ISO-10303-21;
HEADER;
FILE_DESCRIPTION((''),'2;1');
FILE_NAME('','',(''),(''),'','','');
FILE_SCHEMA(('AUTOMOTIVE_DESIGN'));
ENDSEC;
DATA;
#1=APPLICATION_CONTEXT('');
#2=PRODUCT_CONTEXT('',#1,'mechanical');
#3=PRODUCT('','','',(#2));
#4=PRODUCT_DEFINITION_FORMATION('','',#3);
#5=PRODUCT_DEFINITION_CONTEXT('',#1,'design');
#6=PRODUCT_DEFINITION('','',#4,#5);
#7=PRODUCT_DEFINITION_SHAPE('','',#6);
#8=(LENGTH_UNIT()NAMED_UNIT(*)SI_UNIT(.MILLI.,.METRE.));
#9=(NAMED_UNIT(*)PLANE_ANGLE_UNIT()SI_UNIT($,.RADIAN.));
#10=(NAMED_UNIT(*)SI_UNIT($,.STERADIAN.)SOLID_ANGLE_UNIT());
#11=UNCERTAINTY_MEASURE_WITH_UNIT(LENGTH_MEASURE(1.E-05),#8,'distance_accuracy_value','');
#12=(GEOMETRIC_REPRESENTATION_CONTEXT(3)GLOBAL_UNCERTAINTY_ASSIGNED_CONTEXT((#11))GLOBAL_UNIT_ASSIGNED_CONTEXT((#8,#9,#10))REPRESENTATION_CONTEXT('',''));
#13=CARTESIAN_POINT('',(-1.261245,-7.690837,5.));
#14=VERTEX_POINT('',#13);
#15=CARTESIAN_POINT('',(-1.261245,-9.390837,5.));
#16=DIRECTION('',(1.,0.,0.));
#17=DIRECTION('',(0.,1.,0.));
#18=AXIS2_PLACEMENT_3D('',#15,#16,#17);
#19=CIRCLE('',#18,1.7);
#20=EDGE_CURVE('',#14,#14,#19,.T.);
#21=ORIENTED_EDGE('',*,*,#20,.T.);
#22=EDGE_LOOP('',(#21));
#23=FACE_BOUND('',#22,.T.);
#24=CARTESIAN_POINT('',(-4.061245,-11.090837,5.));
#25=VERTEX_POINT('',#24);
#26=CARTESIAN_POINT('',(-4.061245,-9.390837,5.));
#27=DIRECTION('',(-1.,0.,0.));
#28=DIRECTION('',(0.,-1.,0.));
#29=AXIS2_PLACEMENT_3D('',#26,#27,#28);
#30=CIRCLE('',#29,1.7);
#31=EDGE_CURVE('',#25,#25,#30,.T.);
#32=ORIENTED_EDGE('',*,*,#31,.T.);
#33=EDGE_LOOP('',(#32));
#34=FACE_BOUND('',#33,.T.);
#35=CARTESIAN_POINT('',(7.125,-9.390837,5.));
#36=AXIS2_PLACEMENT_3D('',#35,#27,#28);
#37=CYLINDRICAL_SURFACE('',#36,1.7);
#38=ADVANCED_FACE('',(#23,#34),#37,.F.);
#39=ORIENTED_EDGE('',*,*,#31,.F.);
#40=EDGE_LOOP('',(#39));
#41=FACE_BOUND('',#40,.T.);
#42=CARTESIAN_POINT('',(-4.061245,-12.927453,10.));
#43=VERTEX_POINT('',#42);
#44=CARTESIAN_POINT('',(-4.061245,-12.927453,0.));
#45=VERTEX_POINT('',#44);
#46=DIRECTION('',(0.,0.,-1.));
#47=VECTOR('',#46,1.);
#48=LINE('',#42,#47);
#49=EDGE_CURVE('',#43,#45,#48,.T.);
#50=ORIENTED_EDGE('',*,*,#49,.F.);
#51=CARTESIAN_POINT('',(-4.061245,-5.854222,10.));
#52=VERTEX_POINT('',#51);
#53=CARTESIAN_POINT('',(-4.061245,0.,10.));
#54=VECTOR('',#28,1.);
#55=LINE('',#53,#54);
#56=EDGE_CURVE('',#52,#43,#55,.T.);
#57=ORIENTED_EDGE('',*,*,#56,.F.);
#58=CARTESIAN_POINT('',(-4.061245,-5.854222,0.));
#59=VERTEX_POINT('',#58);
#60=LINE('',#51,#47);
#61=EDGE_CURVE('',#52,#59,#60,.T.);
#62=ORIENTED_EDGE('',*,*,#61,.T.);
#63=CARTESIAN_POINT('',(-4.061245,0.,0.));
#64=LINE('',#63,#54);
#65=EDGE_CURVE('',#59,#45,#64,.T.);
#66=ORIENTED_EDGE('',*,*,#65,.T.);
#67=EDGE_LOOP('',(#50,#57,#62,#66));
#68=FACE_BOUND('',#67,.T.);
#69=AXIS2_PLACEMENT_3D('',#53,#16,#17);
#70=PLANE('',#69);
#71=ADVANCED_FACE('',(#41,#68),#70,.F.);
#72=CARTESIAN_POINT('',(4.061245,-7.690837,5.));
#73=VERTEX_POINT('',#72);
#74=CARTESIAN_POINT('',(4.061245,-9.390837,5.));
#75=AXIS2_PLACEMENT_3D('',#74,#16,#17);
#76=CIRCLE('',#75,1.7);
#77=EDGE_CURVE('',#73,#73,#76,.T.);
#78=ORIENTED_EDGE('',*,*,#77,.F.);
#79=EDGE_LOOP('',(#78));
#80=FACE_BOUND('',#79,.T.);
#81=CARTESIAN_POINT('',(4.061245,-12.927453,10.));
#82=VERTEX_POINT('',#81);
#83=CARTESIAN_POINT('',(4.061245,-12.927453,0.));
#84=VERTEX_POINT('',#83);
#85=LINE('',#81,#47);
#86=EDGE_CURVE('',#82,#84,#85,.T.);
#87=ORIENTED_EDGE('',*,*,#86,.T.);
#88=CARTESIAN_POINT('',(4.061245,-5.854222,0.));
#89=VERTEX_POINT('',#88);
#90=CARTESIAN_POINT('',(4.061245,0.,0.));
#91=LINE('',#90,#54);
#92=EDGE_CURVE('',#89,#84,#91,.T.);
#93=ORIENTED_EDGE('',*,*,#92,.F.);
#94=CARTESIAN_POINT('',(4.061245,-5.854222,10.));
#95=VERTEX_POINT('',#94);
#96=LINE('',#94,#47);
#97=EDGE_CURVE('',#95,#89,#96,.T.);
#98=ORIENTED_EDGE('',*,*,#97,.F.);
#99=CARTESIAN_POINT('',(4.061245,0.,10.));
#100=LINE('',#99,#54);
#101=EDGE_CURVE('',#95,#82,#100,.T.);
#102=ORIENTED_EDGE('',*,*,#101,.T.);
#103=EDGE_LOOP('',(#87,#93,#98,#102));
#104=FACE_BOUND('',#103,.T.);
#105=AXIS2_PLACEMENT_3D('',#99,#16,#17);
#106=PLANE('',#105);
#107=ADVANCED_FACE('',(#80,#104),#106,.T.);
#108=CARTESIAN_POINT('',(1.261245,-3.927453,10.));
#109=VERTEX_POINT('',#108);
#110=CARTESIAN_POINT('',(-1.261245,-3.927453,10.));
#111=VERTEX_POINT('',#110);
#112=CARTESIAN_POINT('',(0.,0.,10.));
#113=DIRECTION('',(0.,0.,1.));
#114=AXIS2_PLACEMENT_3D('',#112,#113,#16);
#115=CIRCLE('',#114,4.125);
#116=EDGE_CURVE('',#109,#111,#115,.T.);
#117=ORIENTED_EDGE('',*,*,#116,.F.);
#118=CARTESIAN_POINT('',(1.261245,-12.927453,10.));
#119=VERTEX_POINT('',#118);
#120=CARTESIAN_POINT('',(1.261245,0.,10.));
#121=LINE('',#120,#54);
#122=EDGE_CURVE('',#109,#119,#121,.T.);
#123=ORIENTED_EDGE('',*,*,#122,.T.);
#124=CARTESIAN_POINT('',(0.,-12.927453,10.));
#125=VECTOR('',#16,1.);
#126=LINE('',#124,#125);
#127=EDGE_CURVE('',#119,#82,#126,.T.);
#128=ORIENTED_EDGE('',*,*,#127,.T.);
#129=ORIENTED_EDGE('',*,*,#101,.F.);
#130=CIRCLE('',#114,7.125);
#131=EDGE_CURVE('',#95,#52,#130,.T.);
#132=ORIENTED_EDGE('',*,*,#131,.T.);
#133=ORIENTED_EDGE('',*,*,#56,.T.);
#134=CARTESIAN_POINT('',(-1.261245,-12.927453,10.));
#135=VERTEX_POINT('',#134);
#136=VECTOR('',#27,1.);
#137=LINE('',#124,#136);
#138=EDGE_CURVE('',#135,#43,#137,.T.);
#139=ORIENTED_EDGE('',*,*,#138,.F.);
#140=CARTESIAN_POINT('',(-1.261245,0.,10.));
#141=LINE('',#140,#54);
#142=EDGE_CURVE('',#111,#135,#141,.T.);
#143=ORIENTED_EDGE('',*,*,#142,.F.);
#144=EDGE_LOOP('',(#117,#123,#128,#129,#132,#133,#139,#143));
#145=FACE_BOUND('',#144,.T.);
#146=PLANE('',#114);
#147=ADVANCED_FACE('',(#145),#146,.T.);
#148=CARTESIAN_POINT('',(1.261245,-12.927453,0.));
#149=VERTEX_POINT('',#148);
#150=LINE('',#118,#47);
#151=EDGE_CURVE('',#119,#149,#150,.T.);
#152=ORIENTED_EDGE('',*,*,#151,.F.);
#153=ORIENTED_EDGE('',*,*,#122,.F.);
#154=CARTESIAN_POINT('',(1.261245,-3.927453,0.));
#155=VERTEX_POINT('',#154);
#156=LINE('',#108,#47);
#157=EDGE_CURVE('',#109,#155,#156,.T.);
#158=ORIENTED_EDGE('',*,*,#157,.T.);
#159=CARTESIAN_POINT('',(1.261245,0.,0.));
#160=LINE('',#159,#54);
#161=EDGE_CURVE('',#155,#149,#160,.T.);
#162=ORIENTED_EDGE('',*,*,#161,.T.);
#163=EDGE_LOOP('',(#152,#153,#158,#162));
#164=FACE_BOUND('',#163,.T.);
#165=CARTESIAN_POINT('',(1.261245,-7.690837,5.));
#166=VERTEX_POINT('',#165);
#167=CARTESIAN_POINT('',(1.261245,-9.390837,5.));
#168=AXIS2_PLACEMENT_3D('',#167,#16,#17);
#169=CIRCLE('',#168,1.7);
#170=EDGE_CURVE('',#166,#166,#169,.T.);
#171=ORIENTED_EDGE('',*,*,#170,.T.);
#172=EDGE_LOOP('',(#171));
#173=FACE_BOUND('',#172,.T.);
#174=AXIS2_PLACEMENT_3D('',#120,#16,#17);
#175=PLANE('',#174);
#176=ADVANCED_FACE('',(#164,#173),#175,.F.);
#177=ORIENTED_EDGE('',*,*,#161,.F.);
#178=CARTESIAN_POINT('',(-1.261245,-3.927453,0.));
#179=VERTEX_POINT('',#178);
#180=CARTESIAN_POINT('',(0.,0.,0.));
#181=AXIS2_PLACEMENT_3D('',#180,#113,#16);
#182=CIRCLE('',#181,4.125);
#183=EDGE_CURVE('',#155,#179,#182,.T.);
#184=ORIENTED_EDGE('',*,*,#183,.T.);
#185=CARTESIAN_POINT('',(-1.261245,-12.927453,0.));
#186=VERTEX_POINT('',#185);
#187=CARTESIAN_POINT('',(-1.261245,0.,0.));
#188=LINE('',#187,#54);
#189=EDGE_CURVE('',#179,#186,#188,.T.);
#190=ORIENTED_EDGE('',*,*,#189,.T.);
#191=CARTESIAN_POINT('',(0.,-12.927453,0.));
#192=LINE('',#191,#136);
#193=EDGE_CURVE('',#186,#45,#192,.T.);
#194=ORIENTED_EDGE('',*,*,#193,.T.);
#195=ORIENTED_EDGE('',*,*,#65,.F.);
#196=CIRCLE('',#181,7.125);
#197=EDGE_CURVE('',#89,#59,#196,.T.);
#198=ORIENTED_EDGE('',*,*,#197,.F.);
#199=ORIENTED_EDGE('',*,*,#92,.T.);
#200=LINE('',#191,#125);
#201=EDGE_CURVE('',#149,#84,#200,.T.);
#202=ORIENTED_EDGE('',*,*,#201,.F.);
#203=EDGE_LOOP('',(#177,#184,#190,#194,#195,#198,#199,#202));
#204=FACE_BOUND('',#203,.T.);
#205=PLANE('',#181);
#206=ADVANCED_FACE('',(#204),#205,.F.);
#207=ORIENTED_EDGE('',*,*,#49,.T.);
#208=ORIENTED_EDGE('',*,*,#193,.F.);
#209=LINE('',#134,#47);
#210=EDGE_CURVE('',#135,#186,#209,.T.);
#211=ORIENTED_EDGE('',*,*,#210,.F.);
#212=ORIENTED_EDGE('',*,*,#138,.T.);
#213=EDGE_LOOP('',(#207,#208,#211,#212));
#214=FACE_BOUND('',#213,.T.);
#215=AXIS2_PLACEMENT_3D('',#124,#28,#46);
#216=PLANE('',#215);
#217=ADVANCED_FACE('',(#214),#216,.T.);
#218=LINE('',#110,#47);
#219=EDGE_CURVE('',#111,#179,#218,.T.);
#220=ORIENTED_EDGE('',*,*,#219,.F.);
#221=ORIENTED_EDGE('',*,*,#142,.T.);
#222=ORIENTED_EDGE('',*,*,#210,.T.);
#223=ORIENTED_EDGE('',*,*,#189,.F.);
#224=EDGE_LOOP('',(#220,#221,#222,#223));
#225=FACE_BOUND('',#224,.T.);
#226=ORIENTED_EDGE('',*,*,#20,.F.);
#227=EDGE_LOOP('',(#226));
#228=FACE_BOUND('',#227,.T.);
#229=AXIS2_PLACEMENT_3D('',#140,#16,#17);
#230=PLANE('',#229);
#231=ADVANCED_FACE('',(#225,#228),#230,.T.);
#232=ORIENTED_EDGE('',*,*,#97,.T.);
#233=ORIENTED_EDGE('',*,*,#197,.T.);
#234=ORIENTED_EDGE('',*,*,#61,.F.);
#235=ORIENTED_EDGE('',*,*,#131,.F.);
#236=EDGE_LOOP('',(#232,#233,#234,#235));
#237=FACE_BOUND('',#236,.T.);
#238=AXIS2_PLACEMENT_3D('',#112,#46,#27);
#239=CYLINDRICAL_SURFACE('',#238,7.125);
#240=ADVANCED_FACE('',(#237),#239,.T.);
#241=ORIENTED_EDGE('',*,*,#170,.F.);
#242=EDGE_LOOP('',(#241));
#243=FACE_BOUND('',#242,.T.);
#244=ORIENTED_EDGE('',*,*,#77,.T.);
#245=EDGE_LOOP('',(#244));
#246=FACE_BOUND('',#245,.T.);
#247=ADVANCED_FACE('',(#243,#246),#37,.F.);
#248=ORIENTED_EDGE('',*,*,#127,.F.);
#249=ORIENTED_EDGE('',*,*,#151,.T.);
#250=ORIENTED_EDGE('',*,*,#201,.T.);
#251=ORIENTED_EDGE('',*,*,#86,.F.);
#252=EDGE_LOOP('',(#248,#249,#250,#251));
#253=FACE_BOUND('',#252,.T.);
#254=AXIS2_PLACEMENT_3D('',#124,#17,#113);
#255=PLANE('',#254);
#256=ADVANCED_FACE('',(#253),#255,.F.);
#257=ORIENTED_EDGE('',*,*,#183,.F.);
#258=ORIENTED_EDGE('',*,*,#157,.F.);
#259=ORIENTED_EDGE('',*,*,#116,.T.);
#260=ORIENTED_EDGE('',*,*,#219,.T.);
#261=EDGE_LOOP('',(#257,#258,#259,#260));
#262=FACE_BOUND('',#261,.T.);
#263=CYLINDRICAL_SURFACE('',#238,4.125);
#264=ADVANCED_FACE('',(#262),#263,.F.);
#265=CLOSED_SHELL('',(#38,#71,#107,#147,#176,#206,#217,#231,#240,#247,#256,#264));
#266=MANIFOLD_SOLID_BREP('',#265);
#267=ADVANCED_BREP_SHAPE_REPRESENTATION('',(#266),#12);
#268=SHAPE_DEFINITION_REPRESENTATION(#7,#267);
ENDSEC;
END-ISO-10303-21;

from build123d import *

# Parameters (mm, degrees)
BOSS_EXTRUDE1_DEPTH = 10
SKETCH2_R           = 1.7
CUT_EXTRUDE1_DEPTH  = 20.805330599


with BuildPart() as part:
    # Sketch1 → Boss-Extrude1 (new body)
    with BuildSketch(Plane.XY):
        with BuildLine():
            Line((4.06124537, -3.927452752), (4.06124537, -5.854221643))
            ThreePointArc((4.06124537, -5.854221643), (6.312764777, -3.303729085), (7.125, 0))
            ThreePointArc((7.125, 0), (-3.303729085, 6.312764777), (-4.06124537, -5.854221643))
            Line((-4.06124537, -5.854221643), (-4.06124537, -3.927452752))
            Line((-4.06124537, -3.927452752), (-1.26124537, -3.927452752))
            ThreePointArc((-1.26124537, -3.927452752), (-2.430327946, 3.333036315), (4.125, 0))
            ThreePointArc((4.125, 0), (3.333036315, -2.430327946), (1.26124537, -3.927452752))
            Line((1.26124537, -3.927452752), (4.06124537, -3.927452752))
        make_face()
        with BuildLine():
            ThreePointArc((-4.06124537, -5.854221643), (-2.723530413, -6.583920343), (-1.26124537, -7.012480668))
            Line((-1.26124537, -7.012480668), (-1.26124537, -3.927452752))
            Line((-1.26124537, -3.927452752), (-4.06124537, -3.927452752))
            Line((-4.06124537, -3.927452752), (-4.06124537, -5.854221643))
        make_face()
        with BuildLine():
            Line((1.26124537, -3.927452752), (1.26124537, -7.012480668))
            ThreePointArc((1.26124537, -7.012480668), (2.723530413, -6.583920343), (4.06124537, -5.854221643))
            Line((4.06124537, -5.854221643), (4.06124537, -3.927452752))
            Line((4.06124537, -3.927452752), (1.26124537, -3.927452752))
        make_face()
        with BuildLine():
            Line((1.26124537, -7.012480668), (1.26124537, -12.927452752))
            Line((1.26124537, -12.927452752), (4.06124537, -12.927452752))
            Line((4.06124537, -12.927452752), (4.06124537, -5.854221643))
            ThreePointArc((4.06124537, -5.854221643), (2.723530413, -6.583920343), (1.26124537, -7.012480668))
        make_face()
        with BuildLine():
            Line((-1.26124537, -12.927452752), (-1.26124537, -7.012480668))
            ThreePointArc((-1.26124537, -7.012480668), (-2.723530413, -6.583920343), (-4.06124537, -5.854221643))
            Line((-4.06124537, -5.854221643), (-4.06124537, -12.927452752))
            Line((-4.06124537, -12.927452752), (-1.26124537, -12.927452752))
        make_face()
    extrude(amount=BOSS_EXTRUDE1_DEPTH)

    # Sketch2 → Cut-Extrude1 (cut, through all)
    with BuildSketch(Plane.ZY.offset(4.06124537)):
        with Locations(Location((5, -9.390837197, 0), (0, 0, 270))):
            Circle(SKETCH2_R)
    extrude(amount=-CUT_EXTRUDE1_DEPTH, mode=Mode.SUBTRACT)


solid = part.part
